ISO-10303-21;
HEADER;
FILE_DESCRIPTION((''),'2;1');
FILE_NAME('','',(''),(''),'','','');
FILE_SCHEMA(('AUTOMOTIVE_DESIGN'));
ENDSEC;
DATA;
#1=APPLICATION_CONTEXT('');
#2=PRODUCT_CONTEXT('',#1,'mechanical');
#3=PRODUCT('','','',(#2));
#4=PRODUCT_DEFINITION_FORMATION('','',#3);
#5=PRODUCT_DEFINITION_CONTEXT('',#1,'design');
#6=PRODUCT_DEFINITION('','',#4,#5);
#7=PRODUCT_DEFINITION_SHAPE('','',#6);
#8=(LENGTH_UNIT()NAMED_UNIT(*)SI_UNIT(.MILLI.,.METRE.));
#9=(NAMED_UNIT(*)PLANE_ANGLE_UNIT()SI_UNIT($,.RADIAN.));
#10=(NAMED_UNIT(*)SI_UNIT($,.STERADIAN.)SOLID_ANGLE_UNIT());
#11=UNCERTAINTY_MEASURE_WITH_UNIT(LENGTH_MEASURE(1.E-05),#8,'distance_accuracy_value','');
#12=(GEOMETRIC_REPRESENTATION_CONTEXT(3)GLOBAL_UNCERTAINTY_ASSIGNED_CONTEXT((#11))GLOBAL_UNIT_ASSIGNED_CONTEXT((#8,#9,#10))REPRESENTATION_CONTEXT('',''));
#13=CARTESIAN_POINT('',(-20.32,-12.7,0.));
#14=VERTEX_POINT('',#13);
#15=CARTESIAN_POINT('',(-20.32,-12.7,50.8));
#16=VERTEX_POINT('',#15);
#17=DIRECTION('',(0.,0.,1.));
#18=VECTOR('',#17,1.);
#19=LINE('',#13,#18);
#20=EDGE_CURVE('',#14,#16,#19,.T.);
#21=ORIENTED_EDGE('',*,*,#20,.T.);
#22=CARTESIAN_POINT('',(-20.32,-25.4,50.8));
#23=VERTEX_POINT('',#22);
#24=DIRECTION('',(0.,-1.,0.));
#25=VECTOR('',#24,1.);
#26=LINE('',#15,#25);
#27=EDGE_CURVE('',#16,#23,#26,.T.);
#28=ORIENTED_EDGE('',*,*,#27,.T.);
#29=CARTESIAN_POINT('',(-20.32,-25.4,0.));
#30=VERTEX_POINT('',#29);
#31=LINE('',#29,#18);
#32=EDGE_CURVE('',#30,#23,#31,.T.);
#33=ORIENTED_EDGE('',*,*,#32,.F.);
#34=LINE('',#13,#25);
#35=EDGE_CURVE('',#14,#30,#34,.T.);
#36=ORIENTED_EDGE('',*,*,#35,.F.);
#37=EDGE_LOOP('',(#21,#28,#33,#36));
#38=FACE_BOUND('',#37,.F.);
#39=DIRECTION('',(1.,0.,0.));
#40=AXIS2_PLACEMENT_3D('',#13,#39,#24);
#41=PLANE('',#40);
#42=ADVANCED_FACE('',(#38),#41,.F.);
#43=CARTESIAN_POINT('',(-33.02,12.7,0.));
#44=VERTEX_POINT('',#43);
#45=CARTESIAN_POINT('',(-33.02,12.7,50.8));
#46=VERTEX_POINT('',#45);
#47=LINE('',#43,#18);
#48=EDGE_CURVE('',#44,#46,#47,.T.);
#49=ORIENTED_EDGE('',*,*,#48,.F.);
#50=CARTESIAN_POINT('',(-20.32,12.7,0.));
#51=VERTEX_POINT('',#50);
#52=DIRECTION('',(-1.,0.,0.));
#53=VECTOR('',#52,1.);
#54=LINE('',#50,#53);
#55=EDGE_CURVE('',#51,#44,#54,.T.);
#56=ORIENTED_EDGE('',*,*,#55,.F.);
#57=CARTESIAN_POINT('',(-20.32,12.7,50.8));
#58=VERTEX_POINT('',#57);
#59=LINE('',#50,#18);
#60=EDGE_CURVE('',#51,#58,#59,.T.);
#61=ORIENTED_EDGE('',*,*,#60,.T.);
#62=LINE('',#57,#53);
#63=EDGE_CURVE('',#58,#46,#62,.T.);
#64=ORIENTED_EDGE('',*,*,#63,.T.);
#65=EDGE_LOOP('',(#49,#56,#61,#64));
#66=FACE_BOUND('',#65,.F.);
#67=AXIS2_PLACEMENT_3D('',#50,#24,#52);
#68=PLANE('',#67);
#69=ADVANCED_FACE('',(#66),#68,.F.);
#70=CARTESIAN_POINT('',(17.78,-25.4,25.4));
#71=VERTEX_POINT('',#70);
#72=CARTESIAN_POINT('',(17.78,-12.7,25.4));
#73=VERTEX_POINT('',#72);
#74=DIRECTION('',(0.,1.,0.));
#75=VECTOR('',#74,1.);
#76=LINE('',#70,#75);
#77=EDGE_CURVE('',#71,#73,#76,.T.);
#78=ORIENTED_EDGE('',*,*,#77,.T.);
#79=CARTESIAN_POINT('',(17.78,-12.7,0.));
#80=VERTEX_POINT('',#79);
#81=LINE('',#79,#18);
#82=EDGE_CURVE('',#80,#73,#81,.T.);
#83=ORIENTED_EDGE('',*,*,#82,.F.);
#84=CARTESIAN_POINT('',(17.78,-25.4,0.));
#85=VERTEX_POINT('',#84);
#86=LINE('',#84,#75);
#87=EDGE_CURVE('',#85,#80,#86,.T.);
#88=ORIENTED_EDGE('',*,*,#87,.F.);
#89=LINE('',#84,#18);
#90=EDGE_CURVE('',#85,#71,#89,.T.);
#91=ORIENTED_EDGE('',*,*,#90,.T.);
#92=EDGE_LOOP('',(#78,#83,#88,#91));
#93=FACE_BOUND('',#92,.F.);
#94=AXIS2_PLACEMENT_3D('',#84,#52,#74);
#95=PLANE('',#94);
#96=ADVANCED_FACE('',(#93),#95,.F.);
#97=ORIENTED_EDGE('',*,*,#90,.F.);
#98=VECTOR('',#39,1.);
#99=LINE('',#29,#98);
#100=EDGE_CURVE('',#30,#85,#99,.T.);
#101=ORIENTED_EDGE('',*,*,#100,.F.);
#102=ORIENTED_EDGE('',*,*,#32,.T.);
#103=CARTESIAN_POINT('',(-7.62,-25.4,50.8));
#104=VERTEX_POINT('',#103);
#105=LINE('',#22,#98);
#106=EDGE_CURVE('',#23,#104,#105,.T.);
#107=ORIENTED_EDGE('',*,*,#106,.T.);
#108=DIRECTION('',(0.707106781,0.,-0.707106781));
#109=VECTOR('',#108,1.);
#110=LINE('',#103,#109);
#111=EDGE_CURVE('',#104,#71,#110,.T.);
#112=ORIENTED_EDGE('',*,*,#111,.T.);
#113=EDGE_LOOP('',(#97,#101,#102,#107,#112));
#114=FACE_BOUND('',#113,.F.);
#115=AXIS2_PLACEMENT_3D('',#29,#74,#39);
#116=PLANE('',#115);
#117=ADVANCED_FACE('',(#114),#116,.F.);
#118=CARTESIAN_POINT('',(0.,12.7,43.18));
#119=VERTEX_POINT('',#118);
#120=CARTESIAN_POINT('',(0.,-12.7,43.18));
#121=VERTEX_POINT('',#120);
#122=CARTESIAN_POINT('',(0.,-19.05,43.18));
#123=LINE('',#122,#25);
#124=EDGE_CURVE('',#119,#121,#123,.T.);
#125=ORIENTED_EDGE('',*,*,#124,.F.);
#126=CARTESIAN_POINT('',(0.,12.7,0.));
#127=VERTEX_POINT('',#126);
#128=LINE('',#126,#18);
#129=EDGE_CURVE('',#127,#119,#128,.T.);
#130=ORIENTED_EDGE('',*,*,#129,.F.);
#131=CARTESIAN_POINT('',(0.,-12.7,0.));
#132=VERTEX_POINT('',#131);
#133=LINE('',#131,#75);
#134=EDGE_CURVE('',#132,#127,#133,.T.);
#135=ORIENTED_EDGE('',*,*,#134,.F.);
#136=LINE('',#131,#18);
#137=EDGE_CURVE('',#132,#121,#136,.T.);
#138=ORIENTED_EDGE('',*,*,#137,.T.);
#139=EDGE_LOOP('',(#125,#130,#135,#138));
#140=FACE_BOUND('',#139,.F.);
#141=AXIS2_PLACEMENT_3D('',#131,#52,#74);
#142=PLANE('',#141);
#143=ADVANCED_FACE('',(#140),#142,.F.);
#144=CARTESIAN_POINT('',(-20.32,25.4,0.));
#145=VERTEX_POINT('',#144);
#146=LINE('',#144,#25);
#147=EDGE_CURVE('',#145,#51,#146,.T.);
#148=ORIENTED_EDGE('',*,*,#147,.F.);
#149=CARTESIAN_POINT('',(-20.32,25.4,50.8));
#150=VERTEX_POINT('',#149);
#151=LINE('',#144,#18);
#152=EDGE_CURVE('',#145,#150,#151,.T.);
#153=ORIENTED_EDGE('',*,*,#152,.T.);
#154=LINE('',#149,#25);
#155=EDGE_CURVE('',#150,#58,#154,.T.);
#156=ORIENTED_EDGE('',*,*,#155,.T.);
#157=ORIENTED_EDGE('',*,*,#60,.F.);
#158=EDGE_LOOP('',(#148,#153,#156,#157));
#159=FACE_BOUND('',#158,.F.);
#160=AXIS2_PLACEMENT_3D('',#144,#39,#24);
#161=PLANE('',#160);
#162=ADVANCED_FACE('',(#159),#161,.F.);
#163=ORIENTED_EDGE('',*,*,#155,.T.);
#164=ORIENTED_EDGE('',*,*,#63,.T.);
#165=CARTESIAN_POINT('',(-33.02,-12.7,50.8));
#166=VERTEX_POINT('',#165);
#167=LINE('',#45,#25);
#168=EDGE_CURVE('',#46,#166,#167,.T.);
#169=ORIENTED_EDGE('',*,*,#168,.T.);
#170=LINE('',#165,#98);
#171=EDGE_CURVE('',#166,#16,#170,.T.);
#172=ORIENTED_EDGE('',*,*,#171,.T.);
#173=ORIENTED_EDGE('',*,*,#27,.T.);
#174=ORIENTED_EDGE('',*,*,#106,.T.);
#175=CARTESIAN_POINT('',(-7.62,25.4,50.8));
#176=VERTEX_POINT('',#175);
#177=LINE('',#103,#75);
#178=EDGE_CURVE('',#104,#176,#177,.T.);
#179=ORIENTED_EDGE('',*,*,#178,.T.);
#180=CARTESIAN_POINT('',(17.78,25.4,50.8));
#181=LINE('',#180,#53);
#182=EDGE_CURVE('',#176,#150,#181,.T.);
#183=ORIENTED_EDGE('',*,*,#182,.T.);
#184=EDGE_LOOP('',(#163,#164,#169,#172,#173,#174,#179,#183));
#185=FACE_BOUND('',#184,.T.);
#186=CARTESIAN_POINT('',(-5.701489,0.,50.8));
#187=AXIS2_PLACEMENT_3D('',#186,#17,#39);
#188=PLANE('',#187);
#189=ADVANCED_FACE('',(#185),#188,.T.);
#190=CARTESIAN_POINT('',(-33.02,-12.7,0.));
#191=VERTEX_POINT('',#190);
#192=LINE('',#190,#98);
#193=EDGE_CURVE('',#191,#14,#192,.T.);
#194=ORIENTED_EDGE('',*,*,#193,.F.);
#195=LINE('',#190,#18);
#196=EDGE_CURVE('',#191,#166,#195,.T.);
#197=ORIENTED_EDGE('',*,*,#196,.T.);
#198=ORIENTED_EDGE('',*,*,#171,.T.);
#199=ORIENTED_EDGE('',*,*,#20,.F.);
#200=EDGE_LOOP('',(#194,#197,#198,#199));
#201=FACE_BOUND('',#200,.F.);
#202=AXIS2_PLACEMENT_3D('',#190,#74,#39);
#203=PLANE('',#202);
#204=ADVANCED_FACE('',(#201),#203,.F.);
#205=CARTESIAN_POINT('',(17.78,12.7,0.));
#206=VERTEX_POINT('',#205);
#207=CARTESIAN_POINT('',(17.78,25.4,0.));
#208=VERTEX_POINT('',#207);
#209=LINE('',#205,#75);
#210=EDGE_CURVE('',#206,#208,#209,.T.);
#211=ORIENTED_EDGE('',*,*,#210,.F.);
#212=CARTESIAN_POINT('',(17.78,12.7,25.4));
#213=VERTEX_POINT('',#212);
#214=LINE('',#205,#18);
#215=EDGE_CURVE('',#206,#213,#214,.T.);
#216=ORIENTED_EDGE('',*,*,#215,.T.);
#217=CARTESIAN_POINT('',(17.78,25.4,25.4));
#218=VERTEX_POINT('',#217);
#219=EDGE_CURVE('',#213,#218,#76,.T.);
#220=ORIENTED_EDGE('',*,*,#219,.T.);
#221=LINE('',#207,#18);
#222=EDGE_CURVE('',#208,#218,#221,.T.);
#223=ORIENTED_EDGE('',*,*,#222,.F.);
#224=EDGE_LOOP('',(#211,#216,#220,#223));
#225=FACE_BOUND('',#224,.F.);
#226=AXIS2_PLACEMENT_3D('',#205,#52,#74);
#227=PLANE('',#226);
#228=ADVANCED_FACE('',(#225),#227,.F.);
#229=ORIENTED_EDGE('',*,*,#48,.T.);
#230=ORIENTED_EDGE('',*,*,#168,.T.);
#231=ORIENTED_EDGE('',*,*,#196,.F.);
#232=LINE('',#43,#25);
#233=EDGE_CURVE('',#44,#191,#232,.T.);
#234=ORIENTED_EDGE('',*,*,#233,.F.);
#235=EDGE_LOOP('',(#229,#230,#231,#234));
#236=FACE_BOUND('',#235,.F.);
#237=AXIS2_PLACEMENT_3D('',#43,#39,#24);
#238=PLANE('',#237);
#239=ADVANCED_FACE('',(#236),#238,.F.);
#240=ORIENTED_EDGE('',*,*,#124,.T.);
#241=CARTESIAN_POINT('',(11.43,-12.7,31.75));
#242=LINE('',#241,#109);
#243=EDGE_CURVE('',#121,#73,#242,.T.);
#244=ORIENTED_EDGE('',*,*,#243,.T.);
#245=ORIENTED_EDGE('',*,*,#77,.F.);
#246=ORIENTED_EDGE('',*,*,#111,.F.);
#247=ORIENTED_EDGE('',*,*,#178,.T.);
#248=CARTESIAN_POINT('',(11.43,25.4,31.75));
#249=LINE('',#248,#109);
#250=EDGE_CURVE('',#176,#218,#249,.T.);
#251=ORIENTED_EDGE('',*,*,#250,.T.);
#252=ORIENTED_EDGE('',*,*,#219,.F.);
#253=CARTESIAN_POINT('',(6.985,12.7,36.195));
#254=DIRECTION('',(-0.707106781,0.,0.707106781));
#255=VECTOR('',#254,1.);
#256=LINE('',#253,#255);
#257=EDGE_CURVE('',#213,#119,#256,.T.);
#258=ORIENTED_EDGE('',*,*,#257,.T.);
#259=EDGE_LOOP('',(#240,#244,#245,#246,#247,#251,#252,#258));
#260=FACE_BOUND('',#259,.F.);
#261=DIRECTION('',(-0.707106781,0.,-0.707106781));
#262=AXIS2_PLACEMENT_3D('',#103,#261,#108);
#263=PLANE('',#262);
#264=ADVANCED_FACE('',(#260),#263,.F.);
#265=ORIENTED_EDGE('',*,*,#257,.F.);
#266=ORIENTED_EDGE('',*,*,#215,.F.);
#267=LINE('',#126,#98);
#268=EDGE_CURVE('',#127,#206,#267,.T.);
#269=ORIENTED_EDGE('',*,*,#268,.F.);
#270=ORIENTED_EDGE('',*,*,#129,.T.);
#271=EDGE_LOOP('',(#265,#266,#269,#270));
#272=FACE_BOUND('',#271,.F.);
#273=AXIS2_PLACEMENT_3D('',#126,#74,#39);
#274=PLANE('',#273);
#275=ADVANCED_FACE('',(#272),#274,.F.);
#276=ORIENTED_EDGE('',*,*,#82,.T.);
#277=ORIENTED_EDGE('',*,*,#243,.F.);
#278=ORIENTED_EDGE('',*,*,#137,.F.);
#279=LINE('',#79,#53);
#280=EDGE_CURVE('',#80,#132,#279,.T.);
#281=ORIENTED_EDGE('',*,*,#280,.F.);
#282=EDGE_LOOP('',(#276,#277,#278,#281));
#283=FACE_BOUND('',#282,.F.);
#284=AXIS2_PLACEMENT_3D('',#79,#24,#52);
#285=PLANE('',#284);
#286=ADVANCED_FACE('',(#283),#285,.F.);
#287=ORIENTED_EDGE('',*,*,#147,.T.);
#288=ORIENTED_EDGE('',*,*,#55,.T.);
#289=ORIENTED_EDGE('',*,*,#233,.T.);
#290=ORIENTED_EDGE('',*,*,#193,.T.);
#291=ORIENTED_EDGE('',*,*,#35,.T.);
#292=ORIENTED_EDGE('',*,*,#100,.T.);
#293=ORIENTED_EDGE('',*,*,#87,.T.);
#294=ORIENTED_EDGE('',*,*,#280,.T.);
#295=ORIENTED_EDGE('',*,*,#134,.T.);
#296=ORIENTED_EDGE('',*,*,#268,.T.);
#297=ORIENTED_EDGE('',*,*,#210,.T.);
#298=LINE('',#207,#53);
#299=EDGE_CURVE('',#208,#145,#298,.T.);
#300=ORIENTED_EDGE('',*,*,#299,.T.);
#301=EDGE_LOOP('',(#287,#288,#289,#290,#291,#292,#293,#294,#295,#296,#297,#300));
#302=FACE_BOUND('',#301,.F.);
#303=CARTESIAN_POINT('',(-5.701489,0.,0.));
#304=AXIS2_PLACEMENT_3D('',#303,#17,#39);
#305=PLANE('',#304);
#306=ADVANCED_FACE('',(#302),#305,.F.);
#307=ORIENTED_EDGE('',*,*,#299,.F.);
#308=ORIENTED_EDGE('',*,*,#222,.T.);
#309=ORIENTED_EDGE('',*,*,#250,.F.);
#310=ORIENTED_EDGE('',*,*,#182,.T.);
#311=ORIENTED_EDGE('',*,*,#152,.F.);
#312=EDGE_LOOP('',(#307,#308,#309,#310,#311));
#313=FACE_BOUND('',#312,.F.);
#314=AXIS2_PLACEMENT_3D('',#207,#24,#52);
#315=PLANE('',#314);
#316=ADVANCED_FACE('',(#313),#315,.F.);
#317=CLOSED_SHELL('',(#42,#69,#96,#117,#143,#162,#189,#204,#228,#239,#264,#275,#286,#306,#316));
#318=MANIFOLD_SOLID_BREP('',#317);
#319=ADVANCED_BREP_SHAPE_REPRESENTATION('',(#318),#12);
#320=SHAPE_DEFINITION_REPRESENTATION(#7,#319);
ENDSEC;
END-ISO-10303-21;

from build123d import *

# Parameters (mm, degrees)
F1_DEPTH = 50.8
F3_DEPTH = 50.801


with BuildPart() as f1:
    # F0 (on Top) → F1 (new body)
    with BuildSketch(Plane.XY):
        Polygon((-20.32, -25.4), (17.78, -25.4), (17.78, -12.7), (0, -12.7), (0, 12.7), (17.78, 12.7), (17.78, 25.4), (-20.32, 25.4), (-20.32, 12.7), (-33.02, 12.7), (-33.02, 0), (-33.02, -12.7), (-20.32, -12.7), align=None)
    extrude(amount=F1_DEPTH)

    # F2 (on face) → F3 (cut, through all)
    with BuildSketch(Plane.XZ.offset(25.4)):
        Polygon((17.78, 50.8), (-7.62, 50.8), (17.78, 25.4), align=None)
    extrude(amount=-F3_DEPTH, mode=Mode.SUBTRACT)


solid = f1.part
